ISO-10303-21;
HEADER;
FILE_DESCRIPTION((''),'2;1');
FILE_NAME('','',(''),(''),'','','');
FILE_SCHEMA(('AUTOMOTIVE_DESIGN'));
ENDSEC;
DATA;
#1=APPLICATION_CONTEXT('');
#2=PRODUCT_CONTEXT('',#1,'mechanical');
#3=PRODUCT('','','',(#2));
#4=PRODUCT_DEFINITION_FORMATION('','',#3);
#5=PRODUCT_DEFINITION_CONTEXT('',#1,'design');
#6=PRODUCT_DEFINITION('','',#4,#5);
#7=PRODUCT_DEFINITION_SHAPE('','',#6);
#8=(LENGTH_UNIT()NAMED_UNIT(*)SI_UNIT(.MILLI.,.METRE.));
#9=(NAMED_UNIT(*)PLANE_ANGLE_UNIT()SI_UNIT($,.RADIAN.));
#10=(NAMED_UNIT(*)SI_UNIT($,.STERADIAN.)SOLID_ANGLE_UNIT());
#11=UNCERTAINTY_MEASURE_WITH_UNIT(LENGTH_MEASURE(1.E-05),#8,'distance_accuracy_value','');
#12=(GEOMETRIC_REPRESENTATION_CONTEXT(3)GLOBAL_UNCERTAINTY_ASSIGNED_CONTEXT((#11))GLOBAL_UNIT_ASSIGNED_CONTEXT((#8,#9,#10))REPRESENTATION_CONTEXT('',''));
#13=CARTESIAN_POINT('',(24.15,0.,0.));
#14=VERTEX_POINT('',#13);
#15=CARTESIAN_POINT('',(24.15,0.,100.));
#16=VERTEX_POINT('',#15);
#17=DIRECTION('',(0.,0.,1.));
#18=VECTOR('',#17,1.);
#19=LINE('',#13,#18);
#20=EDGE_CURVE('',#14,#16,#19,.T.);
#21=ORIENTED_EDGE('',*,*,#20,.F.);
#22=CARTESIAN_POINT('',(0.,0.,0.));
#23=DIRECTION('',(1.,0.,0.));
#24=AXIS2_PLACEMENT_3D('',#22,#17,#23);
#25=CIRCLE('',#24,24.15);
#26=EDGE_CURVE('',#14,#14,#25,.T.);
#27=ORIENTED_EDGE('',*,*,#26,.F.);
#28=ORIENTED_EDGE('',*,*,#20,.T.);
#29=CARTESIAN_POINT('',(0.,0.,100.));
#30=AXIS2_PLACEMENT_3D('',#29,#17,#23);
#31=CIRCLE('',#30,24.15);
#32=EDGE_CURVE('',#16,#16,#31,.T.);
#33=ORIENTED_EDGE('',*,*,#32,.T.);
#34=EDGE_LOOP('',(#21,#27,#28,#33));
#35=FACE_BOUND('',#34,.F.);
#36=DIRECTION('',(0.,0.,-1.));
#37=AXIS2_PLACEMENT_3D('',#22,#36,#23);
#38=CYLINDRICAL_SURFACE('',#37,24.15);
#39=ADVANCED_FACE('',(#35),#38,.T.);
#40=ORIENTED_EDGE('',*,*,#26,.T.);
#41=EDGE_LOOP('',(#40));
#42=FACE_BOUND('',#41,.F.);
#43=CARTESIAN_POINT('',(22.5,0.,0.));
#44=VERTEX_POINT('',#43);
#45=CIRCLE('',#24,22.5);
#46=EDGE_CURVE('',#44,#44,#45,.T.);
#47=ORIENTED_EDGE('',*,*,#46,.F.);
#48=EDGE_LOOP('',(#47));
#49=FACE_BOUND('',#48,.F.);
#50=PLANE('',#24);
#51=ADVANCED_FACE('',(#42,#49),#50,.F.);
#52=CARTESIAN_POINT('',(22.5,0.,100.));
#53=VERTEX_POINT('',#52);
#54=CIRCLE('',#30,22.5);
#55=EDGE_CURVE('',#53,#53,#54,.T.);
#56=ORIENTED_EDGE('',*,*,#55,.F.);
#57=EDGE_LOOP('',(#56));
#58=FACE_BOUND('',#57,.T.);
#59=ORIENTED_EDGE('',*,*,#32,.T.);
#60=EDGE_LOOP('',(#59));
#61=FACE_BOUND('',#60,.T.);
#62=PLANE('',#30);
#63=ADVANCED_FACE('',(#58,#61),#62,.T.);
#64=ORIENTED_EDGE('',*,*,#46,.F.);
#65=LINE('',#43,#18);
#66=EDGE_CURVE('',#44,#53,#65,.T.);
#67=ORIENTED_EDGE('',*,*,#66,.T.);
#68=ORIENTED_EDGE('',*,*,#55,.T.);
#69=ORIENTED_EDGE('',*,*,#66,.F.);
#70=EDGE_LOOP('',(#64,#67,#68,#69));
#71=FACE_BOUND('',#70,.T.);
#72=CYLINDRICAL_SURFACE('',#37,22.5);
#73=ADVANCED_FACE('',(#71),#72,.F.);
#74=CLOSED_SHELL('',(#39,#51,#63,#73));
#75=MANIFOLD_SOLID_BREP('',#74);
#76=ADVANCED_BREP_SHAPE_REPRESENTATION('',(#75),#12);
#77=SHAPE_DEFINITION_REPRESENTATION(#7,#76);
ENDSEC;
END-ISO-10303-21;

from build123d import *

# Parameters (mm, degrees)
F1_R     = 24.15
F1_R_2   = 22.5
F2_DEPTH = 100


with BuildPart() as f2:
    # F1 (on face) → F2 (new body)
    with BuildSketch(Plane.XY):
        Circle(F1_R)
        Circle(F1_R_2, mode=Mode.SUBTRACT)
    extrude(amount=F2_DEPTH)


solid = f2.part
